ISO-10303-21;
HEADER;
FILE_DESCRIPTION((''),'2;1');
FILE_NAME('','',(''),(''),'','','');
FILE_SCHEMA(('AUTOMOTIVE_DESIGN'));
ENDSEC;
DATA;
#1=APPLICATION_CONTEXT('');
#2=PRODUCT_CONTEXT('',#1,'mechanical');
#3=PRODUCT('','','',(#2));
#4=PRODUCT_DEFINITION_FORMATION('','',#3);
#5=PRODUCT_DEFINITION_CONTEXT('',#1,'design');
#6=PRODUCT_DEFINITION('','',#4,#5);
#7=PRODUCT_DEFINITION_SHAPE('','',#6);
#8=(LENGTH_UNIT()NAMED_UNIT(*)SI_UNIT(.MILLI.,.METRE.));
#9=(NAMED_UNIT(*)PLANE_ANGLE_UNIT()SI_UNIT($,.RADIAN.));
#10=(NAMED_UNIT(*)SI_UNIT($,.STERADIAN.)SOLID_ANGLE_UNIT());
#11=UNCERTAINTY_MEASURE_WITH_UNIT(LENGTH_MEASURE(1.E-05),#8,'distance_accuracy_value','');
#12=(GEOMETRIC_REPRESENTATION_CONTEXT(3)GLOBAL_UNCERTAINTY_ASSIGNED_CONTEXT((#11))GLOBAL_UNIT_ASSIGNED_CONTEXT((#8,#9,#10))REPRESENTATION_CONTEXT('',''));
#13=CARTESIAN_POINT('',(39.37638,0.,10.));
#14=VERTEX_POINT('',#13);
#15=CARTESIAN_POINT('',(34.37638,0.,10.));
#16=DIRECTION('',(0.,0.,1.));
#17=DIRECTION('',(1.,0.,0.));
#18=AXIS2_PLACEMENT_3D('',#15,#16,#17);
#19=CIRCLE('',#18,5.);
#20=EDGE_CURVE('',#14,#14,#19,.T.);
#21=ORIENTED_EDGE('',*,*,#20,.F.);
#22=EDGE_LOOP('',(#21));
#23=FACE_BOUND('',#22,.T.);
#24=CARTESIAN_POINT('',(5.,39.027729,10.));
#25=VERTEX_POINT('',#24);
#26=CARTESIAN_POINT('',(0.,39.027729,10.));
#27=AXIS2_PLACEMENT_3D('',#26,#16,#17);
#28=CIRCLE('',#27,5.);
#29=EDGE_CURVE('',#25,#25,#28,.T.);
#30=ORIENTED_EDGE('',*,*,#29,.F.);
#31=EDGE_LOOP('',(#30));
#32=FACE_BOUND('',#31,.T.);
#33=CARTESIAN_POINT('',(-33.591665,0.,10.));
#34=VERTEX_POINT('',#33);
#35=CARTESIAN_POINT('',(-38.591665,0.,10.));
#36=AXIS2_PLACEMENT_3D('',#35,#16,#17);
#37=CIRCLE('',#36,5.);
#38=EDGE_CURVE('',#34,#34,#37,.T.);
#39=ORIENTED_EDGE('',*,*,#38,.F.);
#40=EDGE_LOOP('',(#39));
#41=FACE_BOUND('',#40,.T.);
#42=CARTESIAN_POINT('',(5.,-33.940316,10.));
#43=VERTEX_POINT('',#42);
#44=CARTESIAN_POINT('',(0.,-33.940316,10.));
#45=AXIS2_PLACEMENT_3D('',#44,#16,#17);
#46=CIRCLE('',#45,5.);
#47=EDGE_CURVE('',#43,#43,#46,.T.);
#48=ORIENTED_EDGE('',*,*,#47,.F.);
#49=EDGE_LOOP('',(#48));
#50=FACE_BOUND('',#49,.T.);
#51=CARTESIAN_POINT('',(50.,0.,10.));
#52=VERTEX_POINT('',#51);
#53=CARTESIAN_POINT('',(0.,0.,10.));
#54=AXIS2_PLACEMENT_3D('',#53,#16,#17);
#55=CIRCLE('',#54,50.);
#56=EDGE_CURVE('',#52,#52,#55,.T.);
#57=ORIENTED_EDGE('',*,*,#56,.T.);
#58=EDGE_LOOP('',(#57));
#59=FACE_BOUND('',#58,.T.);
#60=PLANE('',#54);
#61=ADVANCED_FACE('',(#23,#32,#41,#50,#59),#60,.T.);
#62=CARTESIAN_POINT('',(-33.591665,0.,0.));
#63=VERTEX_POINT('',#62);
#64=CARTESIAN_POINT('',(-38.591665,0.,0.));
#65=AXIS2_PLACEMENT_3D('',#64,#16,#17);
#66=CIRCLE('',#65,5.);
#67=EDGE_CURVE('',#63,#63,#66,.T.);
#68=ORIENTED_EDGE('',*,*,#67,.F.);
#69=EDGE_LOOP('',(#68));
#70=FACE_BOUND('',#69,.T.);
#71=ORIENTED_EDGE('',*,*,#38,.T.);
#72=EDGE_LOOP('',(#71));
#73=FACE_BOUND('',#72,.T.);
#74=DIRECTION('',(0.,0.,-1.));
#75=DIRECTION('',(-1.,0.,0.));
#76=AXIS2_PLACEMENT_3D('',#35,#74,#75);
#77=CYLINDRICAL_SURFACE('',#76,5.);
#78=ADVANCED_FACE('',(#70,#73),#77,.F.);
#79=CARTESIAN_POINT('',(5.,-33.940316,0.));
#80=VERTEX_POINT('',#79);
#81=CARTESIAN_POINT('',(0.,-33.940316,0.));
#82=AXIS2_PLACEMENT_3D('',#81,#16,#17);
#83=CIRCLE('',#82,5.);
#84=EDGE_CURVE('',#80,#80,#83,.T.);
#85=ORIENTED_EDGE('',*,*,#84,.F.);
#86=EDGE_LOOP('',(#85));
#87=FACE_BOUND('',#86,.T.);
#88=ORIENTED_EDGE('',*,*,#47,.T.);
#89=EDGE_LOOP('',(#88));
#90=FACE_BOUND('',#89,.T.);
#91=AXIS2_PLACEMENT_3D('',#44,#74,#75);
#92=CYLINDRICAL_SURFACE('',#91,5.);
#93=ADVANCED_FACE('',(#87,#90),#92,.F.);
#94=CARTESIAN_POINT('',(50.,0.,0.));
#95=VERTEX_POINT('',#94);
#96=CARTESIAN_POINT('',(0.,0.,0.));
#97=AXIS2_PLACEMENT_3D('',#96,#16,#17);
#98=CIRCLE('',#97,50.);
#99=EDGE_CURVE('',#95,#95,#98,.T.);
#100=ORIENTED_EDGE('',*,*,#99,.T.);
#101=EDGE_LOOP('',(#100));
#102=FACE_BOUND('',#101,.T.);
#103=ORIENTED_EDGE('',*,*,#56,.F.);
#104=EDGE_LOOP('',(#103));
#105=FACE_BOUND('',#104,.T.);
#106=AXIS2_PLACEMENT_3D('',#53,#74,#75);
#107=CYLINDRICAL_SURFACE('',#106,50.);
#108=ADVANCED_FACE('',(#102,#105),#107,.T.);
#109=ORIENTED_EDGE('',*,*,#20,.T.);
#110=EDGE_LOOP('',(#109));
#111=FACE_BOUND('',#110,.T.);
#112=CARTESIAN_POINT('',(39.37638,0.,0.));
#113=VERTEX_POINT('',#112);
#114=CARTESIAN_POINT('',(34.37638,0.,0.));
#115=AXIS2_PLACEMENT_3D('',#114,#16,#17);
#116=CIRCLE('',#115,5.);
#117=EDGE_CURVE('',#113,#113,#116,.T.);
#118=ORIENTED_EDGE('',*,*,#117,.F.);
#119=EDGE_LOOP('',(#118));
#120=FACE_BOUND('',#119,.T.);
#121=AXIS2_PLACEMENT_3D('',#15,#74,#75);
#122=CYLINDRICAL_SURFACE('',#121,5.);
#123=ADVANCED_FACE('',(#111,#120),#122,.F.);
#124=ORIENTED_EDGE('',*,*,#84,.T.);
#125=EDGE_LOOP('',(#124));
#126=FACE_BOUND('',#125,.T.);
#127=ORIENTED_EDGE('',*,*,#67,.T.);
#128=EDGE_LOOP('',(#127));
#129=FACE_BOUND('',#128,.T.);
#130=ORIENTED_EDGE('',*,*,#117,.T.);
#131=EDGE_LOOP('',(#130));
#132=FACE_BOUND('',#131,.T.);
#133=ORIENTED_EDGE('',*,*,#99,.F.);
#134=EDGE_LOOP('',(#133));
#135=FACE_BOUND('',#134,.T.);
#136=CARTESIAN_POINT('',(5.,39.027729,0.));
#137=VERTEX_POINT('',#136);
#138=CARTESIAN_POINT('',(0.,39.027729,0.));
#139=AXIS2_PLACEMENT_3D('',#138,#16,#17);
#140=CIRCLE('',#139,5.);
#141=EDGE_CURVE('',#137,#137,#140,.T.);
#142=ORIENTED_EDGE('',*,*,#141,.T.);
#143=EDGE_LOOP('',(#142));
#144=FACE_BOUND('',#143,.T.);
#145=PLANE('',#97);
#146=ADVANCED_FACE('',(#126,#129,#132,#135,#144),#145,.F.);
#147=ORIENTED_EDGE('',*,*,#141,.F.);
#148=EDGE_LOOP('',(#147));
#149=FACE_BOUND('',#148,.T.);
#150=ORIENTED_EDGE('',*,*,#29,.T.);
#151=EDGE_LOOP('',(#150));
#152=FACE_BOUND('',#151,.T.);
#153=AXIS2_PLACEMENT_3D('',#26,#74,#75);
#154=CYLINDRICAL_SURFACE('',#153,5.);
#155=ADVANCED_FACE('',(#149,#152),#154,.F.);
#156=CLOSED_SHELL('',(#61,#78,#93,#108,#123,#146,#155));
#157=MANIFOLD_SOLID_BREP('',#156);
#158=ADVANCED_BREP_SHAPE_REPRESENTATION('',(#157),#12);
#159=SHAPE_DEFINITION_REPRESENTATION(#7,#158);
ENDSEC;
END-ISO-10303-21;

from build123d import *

# Parameters (mm, degrees)
SKETCH1_R           = 50
SKETCH1_R_2         = 5
BOSS_EXTRUDE1_DEPTH = 10


with BuildPart() as part:
    # Sketch1 → Boss-Extrude1 (new body)
    with BuildSketch(Plane.XY):
        Circle(SKETCH1_R)
        with Locations((0, 39.027729393)):
            Circle(SKETCH1_R_2, mode=Mode.SUBTRACT)
        with Locations((-38.591665377, 0)):
            Circle(SKETCH1_R_2, mode=Mode.SUBTRACT)
        with Locations((0, -33.940315878)):
            Circle(SKETCH1_R_2, mode=Mode.SUBTRACT)
        with Locations((34.376379894, 0)):
            Circle(SKETCH1_R_2, mode=Mode.SUBTRACT)
    extrude(amount=BOSS_EXTRUDE1_DEPTH)


solid = part.part
